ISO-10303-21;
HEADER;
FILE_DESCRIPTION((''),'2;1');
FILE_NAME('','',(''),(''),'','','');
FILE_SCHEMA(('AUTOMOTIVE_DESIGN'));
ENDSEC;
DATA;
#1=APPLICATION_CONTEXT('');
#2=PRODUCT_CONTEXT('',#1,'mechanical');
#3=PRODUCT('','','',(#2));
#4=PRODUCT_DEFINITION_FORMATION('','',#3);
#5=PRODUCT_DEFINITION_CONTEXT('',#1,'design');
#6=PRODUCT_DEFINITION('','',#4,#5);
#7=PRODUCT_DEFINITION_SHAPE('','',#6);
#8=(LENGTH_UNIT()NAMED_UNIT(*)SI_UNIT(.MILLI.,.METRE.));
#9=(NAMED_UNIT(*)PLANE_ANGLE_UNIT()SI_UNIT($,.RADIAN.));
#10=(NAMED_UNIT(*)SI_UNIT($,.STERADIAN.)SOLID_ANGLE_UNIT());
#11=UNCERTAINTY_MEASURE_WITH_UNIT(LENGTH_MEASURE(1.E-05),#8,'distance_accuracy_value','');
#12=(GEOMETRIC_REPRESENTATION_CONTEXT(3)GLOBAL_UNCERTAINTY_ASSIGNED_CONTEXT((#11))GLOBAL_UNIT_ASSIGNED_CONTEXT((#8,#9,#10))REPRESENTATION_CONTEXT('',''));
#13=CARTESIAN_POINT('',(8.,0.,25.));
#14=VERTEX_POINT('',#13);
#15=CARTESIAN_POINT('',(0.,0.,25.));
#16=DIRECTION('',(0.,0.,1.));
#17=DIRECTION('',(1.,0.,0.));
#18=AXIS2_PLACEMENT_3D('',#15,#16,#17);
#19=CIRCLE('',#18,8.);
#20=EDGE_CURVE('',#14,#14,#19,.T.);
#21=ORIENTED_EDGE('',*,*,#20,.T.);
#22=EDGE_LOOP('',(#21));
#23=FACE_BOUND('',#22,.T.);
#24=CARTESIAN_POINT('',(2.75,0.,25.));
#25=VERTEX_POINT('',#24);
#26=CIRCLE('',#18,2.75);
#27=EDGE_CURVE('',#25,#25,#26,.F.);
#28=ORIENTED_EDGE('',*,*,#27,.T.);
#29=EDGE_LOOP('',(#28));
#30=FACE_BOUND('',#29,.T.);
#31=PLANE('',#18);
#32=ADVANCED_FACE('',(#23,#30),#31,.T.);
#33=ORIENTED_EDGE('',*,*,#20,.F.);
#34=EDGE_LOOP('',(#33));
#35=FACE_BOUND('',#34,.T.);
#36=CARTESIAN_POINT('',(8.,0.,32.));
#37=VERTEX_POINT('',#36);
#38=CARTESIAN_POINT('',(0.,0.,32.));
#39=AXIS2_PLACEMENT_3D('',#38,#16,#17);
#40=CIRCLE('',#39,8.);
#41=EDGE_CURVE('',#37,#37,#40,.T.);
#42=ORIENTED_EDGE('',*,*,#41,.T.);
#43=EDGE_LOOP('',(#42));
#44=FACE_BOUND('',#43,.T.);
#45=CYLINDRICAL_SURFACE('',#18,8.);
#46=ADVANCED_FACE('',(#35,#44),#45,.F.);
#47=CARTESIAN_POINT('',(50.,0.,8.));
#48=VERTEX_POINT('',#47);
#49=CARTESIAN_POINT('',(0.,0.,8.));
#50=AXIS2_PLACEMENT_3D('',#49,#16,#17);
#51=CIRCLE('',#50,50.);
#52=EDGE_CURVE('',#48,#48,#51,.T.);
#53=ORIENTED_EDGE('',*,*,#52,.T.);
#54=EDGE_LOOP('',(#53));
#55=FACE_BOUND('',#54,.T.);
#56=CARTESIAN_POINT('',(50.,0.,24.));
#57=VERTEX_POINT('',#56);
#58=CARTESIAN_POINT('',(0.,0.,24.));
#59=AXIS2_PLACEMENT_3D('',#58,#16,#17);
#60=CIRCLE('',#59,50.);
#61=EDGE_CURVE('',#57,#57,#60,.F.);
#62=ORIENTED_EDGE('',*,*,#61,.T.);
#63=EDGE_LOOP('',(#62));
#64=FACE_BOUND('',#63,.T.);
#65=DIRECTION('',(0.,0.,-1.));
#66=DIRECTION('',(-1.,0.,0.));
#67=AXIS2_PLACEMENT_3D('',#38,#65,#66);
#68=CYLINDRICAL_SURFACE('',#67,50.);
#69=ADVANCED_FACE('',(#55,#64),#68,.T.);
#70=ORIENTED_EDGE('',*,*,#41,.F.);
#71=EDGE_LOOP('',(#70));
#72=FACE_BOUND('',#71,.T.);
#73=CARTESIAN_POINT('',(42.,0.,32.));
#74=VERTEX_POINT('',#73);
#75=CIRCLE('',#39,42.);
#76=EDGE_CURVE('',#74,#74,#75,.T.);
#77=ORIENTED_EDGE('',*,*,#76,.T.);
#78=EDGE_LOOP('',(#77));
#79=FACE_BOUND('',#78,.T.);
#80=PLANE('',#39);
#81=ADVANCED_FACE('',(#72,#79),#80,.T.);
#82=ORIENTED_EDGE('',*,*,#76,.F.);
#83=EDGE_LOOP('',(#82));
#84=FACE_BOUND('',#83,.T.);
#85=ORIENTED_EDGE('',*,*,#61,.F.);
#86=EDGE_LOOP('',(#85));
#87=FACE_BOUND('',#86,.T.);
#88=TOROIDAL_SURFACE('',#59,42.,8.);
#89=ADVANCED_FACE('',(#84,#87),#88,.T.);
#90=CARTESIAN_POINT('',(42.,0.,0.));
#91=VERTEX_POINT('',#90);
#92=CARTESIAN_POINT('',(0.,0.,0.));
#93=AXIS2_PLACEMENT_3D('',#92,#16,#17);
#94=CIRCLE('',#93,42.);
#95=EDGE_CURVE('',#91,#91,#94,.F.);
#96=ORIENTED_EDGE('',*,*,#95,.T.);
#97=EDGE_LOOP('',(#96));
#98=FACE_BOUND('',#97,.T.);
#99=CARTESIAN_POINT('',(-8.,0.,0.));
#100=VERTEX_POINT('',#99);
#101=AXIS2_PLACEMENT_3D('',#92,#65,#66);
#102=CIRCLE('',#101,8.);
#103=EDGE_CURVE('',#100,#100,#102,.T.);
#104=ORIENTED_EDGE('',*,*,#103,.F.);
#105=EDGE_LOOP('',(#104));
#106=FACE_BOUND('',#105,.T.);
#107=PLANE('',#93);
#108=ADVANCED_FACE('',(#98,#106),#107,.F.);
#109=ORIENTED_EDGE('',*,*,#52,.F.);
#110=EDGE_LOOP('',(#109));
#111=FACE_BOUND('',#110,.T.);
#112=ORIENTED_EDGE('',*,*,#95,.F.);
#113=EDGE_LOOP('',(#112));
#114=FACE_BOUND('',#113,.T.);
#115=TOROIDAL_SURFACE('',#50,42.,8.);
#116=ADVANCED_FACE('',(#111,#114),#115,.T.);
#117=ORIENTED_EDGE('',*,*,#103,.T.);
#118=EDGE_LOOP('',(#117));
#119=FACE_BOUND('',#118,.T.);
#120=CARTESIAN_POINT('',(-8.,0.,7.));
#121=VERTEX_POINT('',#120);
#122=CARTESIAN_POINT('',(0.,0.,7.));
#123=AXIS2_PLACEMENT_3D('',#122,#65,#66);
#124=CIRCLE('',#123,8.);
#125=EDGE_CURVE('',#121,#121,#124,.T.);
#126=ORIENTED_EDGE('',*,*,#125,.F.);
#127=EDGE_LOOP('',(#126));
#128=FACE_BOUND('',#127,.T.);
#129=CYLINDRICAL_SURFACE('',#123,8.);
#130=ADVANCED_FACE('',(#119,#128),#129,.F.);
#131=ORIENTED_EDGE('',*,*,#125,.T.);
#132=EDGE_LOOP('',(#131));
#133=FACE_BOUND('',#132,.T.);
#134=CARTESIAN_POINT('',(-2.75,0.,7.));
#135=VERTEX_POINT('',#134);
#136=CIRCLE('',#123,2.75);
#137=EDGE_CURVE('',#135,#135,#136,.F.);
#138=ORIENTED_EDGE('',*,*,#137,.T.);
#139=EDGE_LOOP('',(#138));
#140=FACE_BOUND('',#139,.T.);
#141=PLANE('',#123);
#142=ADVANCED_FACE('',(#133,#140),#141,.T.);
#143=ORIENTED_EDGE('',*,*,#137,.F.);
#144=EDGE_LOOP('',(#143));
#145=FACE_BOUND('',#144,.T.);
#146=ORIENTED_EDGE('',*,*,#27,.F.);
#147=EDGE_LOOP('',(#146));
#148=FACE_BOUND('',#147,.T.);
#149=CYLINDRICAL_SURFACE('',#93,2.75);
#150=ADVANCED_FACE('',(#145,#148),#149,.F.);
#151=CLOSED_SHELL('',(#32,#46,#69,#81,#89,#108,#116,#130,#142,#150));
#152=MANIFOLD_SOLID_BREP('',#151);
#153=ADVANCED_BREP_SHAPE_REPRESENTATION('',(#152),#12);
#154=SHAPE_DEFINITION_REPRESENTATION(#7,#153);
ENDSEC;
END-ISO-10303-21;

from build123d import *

# Parameters (mm, degrees)
SKETCH_1_R          = 50
EXTRUDE_1_DEPTH     = 32
SKETCH_2_R          = 2.75
CUT_EXTRUDE_1_DEPTH = 78.614431648
FILLET_1_R          = 8
SKETCH_3_R          = 8
CUT_EXTRUDE_2_DEPTH = 7
CUT_EXTRUDE_START   = -7
SKETCH_4_R          = 8
CUT_EXTRUDE_3_DEPTH = 7


with BuildPart() as part:
    # 草图1 → 凸台-拉伸1 (new body)
    with BuildSketch(Plane.XY):
        Circle(SKETCH_1_R)
    extrude(amount=EXTRUDE_1_DEPTH)

    # 草图2 → 切除-拉伸1 (cut, through all)
    with BuildSketch(Plane.XY.offset(32)):
        Circle(SKETCH_2_R)
    extrude(amount=-CUT_EXTRUDE_1_DEPTH, mode=Mode.SUBTRACT)

    # 圆角1
    fillet_1_edges = [part.edges().sort_by_distance(p)[0] for p in [
        (-50, 0, 0),
        (-50, 0, 32),
    ]]
    fillet(fillet_1_edges, radius=FILLET_1_R)

    # 草图3 → 切除-拉伸2 (cut)
    with BuildSketch(Plane.XY.offset(32)):
        Circle(SKETCH_3_R)
    extrude(amount=-CUT_EXTRUDE_2_DEPTH, mode=Mode.SUBTRACT)

    # 草图4 → 切除-拉伸3 (cut)
    with BuildSketch(Plane(origin=(0, 0, 0), x_dir=(-1, 0, 0), z_dir=(0, 0, -1)).offset(CUT_EXTRUDE_START)):
        with Locations(Location((0, 0, 0), (0, 0, 180))):
            Circle(SKETCH_4_R)
    extrude(amount=CUT_EXTRUDE_3_DEPTH, mode=Mode.SUBTRACT)


solid = part.part
